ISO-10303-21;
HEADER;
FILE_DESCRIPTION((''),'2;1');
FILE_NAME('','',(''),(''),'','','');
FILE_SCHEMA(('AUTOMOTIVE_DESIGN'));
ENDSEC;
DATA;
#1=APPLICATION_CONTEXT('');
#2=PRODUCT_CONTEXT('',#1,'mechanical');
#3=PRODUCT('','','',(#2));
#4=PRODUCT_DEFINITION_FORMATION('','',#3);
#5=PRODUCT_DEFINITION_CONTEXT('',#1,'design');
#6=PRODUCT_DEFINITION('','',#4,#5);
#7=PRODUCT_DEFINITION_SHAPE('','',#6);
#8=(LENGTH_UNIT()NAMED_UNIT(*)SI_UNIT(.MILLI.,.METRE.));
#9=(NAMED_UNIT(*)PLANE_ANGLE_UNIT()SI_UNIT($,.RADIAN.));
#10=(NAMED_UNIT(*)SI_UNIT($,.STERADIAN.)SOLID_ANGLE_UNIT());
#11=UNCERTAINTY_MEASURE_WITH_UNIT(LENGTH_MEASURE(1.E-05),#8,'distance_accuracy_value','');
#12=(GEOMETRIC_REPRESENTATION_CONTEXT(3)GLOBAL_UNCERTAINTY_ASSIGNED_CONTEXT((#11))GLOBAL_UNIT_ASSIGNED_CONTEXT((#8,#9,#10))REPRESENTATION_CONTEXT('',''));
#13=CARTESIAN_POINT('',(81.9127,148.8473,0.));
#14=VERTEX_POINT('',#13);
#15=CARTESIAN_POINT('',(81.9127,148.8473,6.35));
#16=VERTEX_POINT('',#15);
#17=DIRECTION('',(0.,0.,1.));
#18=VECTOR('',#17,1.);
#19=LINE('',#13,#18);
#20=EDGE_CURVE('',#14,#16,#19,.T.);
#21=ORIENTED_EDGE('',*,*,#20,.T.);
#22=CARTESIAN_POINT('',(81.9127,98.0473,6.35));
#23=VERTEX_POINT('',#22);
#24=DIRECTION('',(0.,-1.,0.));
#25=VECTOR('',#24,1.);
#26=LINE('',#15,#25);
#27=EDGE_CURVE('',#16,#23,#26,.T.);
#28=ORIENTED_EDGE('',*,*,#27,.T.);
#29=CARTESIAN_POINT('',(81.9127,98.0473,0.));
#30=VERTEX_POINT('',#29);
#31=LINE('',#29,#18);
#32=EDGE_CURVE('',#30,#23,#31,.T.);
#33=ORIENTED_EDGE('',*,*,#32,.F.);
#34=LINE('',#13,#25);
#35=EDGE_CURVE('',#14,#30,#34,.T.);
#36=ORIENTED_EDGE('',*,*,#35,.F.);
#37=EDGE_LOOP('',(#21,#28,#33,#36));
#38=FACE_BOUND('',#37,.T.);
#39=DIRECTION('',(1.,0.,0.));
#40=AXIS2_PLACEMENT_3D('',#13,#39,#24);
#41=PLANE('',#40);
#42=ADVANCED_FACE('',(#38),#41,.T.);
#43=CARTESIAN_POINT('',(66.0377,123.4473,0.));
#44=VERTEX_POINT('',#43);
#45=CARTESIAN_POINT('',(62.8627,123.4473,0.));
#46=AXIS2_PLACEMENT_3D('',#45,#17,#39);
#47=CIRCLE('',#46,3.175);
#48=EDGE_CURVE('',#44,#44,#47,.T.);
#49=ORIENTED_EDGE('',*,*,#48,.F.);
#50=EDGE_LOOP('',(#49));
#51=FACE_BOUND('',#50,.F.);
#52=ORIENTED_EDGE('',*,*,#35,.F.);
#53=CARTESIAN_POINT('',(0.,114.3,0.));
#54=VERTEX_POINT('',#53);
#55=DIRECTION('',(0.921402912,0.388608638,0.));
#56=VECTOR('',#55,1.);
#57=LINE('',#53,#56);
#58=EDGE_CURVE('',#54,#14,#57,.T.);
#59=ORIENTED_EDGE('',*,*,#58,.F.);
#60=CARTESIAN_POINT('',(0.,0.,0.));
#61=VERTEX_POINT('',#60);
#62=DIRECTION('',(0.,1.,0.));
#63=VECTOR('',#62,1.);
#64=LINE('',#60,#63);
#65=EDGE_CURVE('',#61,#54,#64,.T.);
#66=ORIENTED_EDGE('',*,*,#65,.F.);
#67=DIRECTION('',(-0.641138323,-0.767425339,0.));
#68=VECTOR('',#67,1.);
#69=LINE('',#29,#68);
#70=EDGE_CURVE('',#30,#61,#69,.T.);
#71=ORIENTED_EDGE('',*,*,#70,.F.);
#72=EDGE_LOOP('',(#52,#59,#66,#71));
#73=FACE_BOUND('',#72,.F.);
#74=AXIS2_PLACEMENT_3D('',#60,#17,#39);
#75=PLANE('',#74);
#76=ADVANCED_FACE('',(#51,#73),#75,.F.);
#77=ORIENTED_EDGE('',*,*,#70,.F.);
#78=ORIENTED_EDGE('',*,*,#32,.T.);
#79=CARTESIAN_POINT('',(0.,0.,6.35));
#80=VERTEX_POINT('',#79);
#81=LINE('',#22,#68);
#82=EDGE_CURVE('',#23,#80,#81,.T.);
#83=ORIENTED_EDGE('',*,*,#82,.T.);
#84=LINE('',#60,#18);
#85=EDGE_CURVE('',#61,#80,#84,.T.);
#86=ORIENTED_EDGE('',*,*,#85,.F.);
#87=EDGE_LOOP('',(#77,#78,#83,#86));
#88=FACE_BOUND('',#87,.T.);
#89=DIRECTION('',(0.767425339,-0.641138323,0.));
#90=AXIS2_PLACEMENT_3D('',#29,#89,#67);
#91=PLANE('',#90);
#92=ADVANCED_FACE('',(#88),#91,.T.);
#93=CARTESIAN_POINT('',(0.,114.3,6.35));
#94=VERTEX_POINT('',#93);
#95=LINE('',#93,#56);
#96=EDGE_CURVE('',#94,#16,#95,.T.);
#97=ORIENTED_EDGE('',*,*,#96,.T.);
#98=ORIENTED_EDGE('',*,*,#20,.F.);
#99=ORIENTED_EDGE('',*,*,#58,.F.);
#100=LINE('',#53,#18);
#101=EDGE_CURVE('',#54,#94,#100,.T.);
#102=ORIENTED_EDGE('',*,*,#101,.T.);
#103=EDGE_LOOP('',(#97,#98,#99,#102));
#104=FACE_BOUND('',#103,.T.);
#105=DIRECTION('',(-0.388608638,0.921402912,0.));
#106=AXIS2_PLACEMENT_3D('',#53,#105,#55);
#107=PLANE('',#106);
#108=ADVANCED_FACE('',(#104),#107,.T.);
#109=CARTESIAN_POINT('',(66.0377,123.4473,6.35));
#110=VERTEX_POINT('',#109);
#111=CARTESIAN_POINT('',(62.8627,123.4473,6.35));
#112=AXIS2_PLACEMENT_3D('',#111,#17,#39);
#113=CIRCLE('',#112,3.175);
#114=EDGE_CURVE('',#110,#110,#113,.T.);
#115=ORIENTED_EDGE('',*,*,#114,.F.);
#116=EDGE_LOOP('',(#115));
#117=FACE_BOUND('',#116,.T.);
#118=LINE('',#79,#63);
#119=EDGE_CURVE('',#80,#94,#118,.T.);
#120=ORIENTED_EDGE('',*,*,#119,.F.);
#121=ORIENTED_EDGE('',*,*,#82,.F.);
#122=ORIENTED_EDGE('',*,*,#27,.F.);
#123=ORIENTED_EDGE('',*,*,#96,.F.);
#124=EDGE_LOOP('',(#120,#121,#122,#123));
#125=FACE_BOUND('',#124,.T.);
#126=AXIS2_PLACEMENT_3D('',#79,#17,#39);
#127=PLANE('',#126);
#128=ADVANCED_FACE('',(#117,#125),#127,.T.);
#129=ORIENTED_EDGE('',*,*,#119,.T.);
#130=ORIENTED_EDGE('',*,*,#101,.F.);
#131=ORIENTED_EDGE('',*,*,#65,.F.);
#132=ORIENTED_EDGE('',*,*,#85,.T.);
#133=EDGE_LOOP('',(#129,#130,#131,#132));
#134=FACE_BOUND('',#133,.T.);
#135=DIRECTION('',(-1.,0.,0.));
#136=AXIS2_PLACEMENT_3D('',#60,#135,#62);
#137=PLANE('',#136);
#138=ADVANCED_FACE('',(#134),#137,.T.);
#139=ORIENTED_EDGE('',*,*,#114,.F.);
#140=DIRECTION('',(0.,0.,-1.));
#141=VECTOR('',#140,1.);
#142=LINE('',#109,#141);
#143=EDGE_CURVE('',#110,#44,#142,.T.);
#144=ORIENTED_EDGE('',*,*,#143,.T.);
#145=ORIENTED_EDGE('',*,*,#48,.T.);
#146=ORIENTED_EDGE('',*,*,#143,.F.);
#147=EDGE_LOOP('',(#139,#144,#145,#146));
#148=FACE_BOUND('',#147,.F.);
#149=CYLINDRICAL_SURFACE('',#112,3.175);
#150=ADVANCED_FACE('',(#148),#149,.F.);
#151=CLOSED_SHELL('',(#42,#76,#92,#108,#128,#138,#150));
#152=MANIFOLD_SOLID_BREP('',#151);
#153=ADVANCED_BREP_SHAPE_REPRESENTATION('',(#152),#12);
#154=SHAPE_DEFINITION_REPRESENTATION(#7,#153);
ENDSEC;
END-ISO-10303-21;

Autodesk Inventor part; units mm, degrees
ref_plane "YZ Plane" through (0, 0, 0) normal (1, 0, 0) x (0, 1, 0)
ref_plane "XZ Plane" through (0, 0, 0) normal (0, 1, 0) x (-1, 0, 0)
ref_plane "XY Plane" through (0, 0, 0) normal (0, 0, 1) x (1, 0, 0)
sketch "Sketch1" plane through (0, 0, 0) normal (0, 0, 1) x (1, 0, 0)
  line L0 (0, 0) -> (0, 114.3)
  line L1 (0, 114.3) -> (81.9127, 148.8473)
  line L2 (81.9127, 148.8473) -> (81.9127, 98.0473)
  line L3 (81.9127, 98.0473) -> (0, 0)
  dimension "d0" = 88.9
  dimension "d1" = 50.8
  dimension "d9" = 114.3
extrude "Extrusion1" add sketch "Sketch1" along normal blind 6.35
sketch "Sketch2" plane through (0, 0, 6.35) normal (0, 0, 1) x (1, 0, 0)
  circle A0 centre (62.8627, 123.4473) radius 3.175
  line L0 (81.9127, 98.0473) -> (81.9127, 148.8473) projected
  point P0 (0, 0)
  dimension "d4" = 6.35
  dimension "d5" = 19.05
  dimension "d6" = 25.4
extrude "Extrusion2" cut sketch "Sketch2" against normal blind 6.35
properties part number "pulley holder" material "Aluminum 6061"
